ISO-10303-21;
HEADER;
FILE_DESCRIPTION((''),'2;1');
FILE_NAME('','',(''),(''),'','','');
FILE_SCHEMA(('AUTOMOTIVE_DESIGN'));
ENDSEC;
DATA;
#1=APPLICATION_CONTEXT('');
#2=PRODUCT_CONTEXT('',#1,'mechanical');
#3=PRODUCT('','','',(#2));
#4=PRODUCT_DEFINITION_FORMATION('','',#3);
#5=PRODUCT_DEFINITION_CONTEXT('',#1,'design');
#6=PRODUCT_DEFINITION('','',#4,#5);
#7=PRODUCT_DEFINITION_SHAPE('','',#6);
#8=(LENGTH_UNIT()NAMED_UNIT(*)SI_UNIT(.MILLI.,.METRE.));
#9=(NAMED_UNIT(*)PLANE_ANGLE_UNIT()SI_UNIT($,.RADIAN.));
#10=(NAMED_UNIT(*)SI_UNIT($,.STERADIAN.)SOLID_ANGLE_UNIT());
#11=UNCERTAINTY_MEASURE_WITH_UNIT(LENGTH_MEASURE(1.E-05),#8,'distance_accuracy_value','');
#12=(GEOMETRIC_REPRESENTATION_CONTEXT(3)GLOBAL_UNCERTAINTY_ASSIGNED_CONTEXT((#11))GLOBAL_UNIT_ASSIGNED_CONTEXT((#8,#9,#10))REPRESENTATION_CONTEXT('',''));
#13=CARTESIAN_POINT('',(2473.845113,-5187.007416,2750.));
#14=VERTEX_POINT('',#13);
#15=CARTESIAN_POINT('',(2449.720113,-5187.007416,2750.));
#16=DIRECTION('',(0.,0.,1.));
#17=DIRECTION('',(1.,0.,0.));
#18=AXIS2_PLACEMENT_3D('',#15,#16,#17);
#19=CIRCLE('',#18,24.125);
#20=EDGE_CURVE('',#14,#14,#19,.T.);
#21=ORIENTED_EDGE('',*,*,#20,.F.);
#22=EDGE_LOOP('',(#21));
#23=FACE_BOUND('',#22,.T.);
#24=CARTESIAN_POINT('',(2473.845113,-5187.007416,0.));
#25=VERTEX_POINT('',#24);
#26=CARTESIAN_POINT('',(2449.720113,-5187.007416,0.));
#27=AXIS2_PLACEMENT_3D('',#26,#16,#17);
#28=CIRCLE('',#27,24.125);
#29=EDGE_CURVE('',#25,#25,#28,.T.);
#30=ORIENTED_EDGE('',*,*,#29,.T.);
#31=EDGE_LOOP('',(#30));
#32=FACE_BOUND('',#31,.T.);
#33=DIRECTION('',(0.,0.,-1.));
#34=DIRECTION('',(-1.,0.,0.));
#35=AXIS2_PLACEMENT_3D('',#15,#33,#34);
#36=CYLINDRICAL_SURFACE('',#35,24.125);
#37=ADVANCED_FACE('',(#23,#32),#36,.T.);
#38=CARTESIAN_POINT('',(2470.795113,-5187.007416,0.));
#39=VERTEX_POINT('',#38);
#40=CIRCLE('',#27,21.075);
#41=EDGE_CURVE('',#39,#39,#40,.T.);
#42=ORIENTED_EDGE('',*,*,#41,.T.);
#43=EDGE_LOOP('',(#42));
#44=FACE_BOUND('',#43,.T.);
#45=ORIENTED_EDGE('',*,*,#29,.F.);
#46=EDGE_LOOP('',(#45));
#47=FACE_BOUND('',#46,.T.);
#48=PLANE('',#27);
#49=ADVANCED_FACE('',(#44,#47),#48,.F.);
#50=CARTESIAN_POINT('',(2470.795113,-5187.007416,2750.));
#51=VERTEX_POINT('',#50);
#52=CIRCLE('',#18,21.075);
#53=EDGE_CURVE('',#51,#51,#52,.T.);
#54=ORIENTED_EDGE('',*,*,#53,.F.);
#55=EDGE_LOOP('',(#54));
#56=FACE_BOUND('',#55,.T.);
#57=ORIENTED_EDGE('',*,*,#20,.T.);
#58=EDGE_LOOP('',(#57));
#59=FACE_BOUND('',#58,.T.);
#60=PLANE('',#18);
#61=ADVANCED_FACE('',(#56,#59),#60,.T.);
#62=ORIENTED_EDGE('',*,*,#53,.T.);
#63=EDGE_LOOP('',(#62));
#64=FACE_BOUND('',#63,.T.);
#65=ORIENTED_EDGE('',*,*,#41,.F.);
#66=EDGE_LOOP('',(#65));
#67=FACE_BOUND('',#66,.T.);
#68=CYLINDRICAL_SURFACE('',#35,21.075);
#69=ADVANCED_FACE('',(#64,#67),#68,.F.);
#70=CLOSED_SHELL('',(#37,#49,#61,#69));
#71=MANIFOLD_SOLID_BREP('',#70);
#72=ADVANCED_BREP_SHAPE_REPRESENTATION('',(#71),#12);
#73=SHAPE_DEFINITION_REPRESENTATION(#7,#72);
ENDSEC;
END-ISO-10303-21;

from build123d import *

# Parameters (mm, degrees)
SKETCH2_R           = 24.125
SKETCH2_R_2         = 21.075
BOSS_EXTRUDE1_DEPTH = 2750


with BuildPart() as part:
    # Sketch2 → Boss-Extrude1 (new body)
    with BuildSketch(Plane.XY):
        with Locations((2449.72011288, -5187.007415734)):
            Circle(SKETCH2_R)
        with Locations((2449.72011288, -5187.007415734)):
            Circle(SKETCH2_R_2, mode=Mode.SUBTRACT)
    extrude(amount=BOSS_EXTRUDE1_DEPTH)


solid = part.part
